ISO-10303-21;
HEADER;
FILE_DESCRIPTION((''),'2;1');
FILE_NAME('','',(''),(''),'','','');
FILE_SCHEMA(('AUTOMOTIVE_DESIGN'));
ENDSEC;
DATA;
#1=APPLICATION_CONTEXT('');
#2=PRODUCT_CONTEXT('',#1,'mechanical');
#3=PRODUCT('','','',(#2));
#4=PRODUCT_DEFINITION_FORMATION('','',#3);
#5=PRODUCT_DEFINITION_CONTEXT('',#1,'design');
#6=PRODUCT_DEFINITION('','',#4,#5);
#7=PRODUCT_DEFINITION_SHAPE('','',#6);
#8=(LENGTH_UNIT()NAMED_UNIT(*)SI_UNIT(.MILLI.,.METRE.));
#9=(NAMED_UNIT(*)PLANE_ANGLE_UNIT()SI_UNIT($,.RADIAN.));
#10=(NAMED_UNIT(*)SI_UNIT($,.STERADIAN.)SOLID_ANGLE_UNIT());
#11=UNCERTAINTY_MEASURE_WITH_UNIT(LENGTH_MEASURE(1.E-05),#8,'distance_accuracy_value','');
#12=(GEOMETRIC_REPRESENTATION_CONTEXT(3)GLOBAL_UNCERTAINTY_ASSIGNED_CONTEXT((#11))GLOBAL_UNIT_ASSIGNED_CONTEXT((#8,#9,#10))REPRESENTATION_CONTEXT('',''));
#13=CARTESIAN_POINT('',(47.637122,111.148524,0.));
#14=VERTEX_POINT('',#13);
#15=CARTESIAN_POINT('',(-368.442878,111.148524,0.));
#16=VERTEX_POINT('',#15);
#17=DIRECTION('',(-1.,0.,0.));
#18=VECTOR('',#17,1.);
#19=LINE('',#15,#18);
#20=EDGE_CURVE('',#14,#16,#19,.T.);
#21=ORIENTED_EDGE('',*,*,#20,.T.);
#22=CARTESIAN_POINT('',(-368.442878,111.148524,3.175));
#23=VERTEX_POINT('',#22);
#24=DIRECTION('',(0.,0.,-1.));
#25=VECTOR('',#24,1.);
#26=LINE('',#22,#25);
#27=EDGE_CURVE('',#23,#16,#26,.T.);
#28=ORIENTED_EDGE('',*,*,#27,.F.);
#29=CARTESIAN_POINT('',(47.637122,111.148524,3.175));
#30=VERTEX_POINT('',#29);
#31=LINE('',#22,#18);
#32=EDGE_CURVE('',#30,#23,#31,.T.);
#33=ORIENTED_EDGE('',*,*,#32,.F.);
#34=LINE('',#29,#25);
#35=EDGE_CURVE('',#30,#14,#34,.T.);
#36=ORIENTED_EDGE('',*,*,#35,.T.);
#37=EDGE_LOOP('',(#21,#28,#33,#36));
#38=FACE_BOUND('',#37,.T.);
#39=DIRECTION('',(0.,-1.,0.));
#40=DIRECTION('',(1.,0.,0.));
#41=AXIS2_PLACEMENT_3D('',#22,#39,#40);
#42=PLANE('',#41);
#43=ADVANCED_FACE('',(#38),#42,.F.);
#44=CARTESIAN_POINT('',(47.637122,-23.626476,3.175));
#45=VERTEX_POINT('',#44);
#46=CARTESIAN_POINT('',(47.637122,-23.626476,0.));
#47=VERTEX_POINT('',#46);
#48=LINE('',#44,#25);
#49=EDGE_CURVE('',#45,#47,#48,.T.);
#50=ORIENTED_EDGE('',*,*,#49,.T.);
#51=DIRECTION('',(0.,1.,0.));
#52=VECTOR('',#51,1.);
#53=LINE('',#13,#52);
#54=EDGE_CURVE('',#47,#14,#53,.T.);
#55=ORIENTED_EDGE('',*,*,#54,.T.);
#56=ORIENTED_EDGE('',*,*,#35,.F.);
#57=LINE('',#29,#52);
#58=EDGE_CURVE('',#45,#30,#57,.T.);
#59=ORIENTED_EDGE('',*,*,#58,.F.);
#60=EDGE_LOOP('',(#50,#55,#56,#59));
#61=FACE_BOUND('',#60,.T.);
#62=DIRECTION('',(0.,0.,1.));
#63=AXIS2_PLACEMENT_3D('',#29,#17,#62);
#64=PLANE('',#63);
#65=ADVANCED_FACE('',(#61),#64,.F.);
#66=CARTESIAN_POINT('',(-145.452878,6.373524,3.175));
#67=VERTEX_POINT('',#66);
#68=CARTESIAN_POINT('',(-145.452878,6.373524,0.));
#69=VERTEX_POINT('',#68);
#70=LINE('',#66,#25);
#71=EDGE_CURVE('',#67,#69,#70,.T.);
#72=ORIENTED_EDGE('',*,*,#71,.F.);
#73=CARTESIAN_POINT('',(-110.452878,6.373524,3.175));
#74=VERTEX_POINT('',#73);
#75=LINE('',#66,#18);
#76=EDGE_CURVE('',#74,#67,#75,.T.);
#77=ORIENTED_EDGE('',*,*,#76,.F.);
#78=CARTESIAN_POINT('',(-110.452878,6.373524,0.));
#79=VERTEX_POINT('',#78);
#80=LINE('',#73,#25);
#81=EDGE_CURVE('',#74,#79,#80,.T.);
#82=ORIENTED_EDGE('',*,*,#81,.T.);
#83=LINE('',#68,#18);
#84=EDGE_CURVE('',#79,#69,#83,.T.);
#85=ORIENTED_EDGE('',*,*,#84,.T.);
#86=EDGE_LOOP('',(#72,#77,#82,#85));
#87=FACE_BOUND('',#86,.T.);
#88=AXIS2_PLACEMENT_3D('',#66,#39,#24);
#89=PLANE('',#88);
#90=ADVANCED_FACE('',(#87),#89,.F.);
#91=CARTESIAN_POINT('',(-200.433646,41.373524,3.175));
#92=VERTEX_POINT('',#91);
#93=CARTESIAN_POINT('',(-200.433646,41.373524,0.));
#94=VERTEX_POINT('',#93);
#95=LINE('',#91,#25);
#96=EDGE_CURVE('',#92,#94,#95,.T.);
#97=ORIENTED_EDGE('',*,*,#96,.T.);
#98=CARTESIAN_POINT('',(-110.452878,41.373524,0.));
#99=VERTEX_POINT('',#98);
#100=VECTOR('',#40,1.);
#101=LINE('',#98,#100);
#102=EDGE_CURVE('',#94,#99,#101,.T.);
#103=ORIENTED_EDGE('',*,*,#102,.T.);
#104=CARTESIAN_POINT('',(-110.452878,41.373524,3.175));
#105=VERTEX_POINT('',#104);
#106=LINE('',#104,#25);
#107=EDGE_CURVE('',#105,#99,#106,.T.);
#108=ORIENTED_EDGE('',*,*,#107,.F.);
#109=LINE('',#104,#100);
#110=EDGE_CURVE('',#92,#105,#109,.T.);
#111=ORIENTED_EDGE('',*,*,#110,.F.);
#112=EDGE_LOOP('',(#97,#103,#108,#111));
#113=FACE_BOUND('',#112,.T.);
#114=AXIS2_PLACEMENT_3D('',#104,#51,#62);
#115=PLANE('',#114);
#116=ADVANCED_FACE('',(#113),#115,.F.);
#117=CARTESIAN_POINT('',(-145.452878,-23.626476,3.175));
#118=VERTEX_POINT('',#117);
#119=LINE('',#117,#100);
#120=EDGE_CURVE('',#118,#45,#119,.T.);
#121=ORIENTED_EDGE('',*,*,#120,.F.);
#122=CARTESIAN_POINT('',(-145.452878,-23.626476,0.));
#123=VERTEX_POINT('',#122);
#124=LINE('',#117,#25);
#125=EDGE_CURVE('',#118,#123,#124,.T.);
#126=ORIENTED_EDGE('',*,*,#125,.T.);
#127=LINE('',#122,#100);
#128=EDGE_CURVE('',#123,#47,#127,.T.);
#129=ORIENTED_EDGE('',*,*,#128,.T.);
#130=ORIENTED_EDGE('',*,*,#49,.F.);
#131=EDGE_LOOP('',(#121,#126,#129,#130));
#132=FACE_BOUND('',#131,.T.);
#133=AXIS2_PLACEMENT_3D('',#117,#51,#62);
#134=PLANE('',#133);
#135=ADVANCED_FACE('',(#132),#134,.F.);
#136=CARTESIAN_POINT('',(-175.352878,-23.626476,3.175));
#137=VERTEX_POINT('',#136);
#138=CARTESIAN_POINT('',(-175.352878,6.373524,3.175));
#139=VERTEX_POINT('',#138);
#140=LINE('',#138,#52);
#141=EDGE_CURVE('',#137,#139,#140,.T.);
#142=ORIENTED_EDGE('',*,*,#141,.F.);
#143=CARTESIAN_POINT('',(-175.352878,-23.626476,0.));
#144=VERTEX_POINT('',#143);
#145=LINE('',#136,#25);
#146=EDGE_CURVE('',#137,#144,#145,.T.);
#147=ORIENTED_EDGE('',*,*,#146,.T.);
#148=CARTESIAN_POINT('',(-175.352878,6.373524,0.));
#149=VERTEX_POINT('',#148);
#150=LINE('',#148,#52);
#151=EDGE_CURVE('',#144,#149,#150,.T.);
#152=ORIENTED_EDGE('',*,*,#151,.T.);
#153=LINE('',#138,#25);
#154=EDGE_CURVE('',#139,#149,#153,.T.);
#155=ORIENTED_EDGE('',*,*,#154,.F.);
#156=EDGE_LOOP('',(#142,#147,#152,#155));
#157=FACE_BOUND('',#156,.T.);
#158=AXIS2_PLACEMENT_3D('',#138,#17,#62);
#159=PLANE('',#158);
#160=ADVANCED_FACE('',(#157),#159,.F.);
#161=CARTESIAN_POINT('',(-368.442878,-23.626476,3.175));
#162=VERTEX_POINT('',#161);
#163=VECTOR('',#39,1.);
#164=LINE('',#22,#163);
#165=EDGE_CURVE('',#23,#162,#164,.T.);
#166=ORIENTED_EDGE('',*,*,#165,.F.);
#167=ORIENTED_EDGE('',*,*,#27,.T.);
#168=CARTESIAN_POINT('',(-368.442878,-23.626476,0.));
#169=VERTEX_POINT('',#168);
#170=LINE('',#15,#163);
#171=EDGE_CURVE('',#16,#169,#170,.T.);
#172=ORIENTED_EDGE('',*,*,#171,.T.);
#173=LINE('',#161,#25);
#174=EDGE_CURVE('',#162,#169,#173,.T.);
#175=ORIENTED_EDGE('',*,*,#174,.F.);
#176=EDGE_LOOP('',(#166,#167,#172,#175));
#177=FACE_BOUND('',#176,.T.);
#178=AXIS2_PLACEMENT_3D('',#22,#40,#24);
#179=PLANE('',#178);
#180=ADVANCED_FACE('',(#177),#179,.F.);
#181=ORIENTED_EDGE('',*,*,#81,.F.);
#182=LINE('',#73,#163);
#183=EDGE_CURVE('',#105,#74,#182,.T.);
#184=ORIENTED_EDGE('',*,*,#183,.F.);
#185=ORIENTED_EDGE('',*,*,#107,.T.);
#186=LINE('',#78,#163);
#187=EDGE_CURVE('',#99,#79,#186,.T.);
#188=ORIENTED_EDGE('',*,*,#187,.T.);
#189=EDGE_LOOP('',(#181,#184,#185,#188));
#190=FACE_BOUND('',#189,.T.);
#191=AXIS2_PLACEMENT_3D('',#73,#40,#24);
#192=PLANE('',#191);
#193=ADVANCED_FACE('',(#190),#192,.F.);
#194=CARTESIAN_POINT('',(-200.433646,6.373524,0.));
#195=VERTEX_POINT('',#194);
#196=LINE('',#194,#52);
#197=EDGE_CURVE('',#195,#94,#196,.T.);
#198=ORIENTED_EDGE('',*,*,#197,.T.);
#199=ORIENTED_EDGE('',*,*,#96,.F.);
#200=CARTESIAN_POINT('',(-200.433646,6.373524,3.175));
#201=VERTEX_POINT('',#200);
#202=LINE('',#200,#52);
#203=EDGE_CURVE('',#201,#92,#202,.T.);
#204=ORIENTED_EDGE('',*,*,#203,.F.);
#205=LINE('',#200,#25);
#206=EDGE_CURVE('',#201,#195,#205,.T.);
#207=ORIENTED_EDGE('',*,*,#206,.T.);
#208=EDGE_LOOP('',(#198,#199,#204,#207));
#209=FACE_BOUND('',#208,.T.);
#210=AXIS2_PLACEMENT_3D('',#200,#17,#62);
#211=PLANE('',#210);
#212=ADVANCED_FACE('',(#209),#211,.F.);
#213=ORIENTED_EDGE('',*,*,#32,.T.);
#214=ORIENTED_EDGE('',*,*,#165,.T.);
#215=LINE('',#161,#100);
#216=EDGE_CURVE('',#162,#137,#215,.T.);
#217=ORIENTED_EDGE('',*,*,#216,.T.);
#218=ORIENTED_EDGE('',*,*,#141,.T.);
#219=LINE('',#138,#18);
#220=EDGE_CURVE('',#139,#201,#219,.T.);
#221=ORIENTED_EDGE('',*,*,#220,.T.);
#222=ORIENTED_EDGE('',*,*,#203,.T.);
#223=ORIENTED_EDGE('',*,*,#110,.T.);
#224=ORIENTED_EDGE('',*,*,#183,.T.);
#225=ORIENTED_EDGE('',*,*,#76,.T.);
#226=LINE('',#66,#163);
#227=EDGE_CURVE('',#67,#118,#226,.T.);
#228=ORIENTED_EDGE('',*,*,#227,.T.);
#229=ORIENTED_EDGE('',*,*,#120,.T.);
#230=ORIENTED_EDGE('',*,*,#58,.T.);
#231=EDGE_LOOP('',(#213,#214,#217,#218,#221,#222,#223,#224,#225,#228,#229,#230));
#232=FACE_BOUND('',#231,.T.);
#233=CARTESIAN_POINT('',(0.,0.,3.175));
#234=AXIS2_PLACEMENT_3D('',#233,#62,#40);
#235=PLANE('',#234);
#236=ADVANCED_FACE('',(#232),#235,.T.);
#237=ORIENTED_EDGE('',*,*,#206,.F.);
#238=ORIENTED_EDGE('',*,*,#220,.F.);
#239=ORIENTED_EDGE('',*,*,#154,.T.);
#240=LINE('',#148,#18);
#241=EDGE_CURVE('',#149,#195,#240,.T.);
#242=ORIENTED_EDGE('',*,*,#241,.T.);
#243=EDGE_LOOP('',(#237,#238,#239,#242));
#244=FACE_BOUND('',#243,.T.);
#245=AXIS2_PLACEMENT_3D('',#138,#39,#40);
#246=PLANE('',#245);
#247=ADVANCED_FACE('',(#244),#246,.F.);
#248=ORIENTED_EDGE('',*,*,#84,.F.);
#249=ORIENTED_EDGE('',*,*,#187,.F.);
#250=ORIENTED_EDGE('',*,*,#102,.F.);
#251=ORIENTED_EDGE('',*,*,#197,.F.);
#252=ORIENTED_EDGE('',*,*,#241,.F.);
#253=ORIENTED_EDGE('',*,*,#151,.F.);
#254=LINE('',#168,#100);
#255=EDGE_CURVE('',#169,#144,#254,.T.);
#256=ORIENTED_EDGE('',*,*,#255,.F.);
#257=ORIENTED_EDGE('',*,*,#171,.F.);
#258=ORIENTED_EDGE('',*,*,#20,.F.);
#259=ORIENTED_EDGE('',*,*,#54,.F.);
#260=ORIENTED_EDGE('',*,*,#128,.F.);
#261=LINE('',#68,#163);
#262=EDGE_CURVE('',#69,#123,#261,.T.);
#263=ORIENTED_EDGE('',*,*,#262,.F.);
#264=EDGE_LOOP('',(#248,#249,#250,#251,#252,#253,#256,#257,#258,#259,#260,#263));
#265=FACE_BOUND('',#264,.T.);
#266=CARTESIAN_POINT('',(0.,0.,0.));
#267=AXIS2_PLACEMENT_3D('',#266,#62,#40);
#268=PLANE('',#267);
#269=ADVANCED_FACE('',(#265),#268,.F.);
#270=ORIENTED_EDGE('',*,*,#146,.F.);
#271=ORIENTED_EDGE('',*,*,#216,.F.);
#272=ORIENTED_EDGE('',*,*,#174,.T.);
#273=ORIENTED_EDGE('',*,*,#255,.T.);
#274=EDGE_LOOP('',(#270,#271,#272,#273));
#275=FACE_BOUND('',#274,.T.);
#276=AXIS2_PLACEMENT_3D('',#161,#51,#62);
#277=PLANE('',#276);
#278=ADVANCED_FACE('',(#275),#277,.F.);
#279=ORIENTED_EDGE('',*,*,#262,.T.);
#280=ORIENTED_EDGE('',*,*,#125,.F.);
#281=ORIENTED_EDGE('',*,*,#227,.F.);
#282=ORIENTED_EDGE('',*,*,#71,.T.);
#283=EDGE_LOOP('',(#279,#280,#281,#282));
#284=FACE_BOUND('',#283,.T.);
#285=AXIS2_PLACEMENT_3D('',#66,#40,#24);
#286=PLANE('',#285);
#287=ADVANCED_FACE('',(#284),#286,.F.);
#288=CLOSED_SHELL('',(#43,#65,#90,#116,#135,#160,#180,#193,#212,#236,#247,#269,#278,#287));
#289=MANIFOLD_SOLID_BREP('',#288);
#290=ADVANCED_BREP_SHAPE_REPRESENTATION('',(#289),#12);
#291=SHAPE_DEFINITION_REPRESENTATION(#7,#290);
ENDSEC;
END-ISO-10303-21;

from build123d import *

# Parameters (mm, degrees)
BOSS_EXTRUDE1_DEPTH = 3.175


with BuildPart() as part:
    # Sketch1 → Boss-Extrude1 (new body)
    with BuildSketch(Plane.XY):
        Polygon((-368.442877504, 111.148523924), (47.637122496, 111.148523924), (47.637122496, -23.626476076), (-145.452877504, -23.626476076), (-145.452877504, 6.373523924), (-110.452877504, 6.373523924), (-110.452877504, 41.373523924), (-200.433646142, 41.373523924), (-200.433646142, 6.373523924), (-175.352877504, 6.373523924), (-175.352877504, -23.626476076), (-368.442877504, -23.626476076), align=None)
    extrude(amount=BOSS_EXTRUDE1_DEPTH)


solid = part.part
